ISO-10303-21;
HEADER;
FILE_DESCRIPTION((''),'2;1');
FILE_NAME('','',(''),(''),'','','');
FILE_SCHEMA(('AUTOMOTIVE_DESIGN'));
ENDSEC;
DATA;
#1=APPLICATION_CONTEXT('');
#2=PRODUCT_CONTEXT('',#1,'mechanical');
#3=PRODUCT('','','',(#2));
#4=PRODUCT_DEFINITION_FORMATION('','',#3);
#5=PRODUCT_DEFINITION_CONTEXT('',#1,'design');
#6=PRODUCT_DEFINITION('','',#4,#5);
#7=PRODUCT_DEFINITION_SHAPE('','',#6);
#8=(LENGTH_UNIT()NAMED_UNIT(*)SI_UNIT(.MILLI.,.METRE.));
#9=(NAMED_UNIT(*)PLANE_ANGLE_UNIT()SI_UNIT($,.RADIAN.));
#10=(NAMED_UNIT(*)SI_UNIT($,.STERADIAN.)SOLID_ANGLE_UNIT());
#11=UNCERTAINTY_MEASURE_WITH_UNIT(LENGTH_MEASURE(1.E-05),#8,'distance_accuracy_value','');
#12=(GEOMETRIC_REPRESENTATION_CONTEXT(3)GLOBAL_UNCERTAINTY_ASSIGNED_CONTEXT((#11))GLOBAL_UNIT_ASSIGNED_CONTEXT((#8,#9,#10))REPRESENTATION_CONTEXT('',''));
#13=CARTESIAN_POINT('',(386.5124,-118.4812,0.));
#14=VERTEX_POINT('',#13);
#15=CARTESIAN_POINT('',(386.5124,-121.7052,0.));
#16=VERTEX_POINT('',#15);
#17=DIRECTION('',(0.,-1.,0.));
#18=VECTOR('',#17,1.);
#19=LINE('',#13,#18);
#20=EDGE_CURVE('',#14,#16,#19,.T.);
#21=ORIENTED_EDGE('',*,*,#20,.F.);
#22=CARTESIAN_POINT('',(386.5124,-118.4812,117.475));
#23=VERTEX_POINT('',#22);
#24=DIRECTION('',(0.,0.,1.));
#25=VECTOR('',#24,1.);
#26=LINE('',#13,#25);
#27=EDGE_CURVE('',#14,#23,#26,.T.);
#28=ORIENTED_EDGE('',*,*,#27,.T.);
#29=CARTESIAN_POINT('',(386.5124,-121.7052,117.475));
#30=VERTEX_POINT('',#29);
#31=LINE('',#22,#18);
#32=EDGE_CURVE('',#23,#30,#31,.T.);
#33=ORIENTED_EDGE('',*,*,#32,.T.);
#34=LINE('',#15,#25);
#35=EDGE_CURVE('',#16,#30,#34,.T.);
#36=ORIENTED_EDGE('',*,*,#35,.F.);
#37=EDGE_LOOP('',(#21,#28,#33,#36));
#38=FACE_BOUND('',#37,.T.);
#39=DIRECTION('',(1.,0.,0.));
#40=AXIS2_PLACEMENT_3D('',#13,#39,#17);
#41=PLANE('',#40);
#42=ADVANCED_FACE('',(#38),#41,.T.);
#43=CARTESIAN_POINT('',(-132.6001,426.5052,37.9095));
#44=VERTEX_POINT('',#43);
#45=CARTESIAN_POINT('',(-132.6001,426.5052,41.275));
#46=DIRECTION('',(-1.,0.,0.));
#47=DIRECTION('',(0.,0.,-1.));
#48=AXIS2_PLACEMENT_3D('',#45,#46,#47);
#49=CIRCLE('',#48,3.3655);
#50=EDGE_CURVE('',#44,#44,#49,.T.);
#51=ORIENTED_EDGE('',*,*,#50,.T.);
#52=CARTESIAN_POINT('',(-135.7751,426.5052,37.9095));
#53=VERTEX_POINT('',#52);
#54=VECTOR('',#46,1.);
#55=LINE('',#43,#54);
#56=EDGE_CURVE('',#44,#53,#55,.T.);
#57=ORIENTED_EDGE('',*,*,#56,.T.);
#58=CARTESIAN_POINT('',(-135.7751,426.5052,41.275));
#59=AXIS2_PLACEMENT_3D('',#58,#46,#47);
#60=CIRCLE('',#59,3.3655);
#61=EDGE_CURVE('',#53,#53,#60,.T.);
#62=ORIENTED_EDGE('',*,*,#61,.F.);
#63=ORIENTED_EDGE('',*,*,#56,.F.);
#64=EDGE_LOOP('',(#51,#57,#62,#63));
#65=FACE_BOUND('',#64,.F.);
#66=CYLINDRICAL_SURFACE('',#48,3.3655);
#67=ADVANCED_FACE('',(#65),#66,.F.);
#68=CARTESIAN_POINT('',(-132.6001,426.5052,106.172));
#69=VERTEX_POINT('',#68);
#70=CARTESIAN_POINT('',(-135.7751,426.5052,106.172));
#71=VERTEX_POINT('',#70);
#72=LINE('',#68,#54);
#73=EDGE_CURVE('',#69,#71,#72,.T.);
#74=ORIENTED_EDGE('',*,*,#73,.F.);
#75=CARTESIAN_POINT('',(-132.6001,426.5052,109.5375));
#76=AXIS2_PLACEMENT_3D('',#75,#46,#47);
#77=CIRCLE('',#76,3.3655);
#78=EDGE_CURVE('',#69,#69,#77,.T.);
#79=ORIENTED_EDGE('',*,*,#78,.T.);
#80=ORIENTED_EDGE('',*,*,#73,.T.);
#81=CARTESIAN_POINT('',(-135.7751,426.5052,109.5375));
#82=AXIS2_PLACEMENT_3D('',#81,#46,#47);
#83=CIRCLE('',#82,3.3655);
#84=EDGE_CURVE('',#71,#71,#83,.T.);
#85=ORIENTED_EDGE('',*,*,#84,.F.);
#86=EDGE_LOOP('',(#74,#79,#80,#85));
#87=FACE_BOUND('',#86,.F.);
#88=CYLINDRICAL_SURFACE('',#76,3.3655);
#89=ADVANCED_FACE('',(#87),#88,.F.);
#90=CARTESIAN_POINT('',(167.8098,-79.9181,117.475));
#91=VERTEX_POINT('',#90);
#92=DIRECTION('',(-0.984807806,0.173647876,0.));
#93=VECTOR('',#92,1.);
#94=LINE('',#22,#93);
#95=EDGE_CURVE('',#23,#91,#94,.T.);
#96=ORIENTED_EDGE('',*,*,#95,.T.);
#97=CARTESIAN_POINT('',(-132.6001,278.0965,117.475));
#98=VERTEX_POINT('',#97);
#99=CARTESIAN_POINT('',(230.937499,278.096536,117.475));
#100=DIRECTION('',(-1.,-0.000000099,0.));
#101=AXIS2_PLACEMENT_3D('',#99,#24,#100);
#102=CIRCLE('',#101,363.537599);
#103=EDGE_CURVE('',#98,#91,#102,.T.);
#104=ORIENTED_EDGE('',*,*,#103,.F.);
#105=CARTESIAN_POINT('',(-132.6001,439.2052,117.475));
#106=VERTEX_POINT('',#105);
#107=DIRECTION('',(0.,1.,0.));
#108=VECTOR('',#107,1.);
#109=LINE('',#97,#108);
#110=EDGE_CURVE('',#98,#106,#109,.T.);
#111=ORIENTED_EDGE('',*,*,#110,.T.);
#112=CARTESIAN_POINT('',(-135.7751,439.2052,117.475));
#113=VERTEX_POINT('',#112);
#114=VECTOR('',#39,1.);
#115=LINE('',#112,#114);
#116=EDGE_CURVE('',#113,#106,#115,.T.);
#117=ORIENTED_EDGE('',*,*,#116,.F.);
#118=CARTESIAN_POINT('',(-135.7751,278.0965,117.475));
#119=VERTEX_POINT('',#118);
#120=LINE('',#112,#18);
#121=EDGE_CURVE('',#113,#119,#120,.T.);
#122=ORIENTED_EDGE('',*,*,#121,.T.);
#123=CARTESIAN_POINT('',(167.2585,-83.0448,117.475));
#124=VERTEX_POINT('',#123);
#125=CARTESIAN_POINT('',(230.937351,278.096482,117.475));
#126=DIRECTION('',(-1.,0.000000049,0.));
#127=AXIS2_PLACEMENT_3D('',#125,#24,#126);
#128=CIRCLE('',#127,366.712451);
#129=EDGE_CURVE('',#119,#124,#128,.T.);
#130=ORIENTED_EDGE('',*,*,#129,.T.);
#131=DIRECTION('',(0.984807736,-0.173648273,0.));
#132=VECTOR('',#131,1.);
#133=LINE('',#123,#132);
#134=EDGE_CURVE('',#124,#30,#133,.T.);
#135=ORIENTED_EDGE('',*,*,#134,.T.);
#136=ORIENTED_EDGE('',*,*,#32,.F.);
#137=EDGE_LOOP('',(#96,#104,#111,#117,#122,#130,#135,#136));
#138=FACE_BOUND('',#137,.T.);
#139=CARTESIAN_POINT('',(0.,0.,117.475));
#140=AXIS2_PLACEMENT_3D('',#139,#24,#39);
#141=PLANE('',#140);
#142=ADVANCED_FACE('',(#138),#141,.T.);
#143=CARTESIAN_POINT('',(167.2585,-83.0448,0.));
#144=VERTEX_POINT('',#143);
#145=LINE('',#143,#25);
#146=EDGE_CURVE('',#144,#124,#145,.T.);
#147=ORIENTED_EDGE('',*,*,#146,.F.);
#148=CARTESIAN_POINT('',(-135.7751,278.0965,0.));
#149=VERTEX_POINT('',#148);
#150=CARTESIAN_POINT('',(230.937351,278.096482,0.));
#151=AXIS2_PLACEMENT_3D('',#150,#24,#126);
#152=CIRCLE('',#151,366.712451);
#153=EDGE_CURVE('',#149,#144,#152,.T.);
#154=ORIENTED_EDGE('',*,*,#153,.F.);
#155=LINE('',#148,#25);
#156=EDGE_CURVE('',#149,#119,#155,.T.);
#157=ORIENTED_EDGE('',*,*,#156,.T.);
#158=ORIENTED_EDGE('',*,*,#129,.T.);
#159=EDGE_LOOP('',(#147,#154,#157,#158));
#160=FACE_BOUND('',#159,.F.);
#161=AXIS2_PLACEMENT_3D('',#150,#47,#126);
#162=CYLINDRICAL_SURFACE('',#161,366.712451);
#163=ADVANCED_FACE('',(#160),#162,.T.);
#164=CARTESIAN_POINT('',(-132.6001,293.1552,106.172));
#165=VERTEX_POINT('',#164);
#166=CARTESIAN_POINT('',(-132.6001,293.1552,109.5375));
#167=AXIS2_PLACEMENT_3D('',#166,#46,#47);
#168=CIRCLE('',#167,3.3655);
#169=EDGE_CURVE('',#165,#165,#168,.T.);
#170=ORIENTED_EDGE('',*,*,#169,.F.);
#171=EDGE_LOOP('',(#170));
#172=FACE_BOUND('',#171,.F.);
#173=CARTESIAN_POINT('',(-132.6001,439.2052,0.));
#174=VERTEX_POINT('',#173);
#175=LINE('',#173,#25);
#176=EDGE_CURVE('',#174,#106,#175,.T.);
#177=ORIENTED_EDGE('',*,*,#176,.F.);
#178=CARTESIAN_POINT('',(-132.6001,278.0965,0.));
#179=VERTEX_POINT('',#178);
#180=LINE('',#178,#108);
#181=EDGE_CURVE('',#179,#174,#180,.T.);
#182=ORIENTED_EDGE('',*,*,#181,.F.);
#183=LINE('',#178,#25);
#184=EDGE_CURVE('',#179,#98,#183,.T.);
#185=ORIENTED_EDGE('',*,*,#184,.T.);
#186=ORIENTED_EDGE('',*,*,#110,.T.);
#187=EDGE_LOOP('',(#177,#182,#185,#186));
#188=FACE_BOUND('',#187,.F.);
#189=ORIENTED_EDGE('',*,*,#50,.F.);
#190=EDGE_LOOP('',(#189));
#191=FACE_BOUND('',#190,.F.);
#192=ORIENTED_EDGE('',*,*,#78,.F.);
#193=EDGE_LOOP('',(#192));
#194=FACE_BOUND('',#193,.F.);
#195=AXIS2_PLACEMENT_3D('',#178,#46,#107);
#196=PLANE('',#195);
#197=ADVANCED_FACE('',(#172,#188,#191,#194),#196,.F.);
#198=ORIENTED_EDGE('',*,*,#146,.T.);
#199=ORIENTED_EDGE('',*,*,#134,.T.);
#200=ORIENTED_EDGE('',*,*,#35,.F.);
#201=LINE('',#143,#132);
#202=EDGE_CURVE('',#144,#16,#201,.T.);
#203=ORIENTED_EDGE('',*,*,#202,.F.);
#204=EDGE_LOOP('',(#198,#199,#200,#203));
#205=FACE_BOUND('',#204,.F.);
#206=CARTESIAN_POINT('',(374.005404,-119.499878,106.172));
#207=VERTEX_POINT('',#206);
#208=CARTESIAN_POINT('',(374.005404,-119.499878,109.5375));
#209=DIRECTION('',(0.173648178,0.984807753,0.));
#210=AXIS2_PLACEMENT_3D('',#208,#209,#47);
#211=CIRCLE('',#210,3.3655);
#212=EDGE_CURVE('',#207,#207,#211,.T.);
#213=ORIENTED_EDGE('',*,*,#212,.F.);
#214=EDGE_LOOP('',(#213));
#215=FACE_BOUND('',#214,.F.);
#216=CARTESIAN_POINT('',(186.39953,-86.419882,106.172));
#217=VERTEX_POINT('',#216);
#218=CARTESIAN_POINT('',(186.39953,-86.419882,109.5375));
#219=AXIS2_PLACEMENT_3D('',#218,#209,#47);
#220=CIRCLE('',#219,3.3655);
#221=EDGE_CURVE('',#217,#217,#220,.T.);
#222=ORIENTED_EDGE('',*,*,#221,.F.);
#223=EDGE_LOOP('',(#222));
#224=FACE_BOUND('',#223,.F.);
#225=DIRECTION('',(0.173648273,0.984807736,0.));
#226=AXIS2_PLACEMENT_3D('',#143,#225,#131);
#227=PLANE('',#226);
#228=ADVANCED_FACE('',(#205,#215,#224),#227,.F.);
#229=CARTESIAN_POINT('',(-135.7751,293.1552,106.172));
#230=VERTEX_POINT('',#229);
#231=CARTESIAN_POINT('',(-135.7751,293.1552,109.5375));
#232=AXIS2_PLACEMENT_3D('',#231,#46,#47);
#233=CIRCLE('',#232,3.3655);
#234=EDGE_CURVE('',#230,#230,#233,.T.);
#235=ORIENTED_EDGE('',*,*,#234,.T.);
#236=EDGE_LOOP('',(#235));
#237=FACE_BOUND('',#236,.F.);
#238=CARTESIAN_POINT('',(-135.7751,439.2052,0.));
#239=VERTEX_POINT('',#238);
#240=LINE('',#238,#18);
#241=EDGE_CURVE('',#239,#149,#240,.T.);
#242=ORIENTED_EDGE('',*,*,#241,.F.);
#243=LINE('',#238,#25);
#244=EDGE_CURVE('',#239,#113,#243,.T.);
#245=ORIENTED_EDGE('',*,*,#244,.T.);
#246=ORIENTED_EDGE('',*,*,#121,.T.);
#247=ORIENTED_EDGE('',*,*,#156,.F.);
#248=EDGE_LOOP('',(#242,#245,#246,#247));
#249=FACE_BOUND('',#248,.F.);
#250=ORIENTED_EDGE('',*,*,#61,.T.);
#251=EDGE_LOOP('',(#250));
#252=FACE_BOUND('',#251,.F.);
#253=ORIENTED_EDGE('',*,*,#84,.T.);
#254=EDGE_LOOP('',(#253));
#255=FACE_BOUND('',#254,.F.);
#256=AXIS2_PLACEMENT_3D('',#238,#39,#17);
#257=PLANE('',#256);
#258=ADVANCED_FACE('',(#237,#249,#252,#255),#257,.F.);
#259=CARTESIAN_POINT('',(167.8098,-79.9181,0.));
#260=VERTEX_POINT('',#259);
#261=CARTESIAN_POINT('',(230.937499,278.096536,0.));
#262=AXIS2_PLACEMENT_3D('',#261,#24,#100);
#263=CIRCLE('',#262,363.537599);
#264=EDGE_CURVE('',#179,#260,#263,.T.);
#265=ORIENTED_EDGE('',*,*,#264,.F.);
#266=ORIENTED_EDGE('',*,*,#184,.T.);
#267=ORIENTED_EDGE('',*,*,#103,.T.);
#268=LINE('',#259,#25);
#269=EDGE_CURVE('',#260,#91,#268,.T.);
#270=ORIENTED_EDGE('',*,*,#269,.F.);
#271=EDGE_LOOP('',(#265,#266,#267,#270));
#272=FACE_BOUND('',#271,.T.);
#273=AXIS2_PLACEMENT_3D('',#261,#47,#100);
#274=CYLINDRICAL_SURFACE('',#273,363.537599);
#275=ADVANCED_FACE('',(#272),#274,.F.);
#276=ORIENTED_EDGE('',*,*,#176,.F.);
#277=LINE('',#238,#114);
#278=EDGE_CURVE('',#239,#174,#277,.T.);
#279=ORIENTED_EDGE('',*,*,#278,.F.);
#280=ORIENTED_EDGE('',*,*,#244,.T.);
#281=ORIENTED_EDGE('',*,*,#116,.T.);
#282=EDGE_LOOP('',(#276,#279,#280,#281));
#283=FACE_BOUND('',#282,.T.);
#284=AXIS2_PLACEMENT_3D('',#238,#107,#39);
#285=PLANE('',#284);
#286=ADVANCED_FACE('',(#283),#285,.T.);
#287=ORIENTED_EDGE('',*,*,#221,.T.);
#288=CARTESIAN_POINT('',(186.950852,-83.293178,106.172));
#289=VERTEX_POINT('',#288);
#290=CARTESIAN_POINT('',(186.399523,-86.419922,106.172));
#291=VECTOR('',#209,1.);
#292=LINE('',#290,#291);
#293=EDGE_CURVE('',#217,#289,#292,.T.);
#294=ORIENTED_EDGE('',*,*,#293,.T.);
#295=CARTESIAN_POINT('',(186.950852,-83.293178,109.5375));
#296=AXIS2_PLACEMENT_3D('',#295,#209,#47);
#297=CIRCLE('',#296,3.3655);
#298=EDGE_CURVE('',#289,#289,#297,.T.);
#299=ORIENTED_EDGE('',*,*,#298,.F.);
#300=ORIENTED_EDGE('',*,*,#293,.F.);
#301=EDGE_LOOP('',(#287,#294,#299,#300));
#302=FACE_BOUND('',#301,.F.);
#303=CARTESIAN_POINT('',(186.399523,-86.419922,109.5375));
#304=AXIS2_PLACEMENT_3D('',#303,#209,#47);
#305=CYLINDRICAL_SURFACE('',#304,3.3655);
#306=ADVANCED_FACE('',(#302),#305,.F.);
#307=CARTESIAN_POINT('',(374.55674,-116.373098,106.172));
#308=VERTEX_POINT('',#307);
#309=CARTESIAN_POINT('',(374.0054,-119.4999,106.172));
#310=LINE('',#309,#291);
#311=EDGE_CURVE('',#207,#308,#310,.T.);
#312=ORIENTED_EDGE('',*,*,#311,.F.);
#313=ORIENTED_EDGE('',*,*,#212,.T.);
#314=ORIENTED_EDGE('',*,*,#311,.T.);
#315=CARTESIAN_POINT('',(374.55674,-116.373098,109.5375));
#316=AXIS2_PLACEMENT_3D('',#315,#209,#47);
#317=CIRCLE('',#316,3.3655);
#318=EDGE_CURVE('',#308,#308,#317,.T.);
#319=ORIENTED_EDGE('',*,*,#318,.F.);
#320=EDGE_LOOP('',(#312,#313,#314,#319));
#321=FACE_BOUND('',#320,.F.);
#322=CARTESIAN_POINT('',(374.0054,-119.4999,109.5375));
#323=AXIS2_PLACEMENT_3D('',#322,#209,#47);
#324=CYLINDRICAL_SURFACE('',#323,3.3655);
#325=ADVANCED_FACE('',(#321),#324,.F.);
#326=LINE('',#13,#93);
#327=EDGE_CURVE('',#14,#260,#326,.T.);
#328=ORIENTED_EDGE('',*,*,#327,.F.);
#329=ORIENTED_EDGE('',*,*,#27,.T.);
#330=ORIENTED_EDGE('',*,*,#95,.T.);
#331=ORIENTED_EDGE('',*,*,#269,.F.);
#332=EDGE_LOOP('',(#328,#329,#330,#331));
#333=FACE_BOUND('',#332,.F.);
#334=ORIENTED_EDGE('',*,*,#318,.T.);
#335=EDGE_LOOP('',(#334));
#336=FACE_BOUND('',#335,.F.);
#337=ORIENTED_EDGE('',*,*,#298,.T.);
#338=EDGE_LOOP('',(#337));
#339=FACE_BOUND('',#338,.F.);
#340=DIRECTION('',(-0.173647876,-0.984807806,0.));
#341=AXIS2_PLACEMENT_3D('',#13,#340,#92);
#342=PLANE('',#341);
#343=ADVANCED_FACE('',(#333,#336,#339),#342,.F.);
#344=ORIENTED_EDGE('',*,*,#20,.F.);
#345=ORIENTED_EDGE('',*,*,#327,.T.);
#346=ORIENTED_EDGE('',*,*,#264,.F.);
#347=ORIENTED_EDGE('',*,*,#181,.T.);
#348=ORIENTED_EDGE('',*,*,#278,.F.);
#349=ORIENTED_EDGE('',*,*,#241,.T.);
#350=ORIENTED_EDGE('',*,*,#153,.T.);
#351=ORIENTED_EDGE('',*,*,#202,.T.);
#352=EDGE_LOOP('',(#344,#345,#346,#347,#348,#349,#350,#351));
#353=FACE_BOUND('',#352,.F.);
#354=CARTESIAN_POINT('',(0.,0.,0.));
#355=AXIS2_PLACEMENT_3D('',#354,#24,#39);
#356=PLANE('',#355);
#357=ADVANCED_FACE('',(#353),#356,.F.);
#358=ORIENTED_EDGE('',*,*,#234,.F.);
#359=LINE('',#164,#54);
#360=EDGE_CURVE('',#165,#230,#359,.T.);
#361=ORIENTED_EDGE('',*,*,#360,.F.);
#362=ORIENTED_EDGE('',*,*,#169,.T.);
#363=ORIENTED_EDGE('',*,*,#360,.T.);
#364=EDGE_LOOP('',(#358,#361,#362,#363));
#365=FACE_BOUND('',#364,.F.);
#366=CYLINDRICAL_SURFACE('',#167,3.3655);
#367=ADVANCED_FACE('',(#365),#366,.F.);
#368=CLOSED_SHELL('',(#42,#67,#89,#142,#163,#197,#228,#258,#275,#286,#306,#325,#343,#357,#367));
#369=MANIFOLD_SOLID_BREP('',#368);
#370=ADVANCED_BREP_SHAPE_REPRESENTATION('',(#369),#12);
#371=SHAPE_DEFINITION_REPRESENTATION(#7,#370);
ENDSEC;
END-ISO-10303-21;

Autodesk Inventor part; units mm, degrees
ref_plane "YZ Plane" through (0, 0, 0) normal (1, 0, 0) x (0, 1, 0)
ref_plane "XZ Plane" through (0, 0, 0) normal (0, 1, 0) x (-1, 0, 0)
ref_plane "XY Plane" through (0, 0, 0) normal (0, 0, 1) x (1, 0, 0)
sketch "Sketch1" plane through (0, 0, 0) normal (0, 0, 1) x (1, 0, 0)
  line L0 (386.5124, -118.4812) -> (167.8098, -79.9181) projected
  arc A0 (-132.6001, 278.0965) -> (167.8098, -79.9181) centre (230.9374, 278.0965) ccw projected
  line L1 (-132.6001, 278.0965) -> (-132.6001, 439.2052) projected
  line L2 (-135.7751, 439.2052) -> (-132.6001, 439.2052) projected
  line L3 (-135.7751, 439.2052) -> (-135.7751, 278.0965) projected
  arc A1 (-135.7751, 278.0965) -> (167.2585, -83.0448) centre (230.9374, 278.0965) ccw projected
  line L4 (167.2585, -83.0448) -> (386.5124, -121.7052) projected
  line L5 (386.5124, -118.4812) -> (386.5124, -121.7052) projected
  point P0 (0, 0)
extrude "Extrusion1" add sketch "Sketch1" along normal blind 117.475
hole "Hole1" at (-132.6001, 426.5052, 109.5375) direction (-1, 0, 0) diameter 6.731 depth 25.4 tip angle 118
pattern_linear "Rectangular Pattern1" count 2 spacing 68.2625 along (0, 0, -1) of "Hole1"
pattern_linear "Rectangular Pattern2" count 2 spacing 133.35 along (0, -1, 0) of "Hole1"
hole "Hole2" at (374.0054, -119.4999, 109.5375) direction (0.1736, 0.9848, 0) diameter 6.731 depth 25.4 tip angle 118
pattern_linear "Rectangular Pattern4" count 2 spacing 190.5 along (-0.9848, 0.1736, 0) of "Hole2"
properties part number "GE-12070-02"
